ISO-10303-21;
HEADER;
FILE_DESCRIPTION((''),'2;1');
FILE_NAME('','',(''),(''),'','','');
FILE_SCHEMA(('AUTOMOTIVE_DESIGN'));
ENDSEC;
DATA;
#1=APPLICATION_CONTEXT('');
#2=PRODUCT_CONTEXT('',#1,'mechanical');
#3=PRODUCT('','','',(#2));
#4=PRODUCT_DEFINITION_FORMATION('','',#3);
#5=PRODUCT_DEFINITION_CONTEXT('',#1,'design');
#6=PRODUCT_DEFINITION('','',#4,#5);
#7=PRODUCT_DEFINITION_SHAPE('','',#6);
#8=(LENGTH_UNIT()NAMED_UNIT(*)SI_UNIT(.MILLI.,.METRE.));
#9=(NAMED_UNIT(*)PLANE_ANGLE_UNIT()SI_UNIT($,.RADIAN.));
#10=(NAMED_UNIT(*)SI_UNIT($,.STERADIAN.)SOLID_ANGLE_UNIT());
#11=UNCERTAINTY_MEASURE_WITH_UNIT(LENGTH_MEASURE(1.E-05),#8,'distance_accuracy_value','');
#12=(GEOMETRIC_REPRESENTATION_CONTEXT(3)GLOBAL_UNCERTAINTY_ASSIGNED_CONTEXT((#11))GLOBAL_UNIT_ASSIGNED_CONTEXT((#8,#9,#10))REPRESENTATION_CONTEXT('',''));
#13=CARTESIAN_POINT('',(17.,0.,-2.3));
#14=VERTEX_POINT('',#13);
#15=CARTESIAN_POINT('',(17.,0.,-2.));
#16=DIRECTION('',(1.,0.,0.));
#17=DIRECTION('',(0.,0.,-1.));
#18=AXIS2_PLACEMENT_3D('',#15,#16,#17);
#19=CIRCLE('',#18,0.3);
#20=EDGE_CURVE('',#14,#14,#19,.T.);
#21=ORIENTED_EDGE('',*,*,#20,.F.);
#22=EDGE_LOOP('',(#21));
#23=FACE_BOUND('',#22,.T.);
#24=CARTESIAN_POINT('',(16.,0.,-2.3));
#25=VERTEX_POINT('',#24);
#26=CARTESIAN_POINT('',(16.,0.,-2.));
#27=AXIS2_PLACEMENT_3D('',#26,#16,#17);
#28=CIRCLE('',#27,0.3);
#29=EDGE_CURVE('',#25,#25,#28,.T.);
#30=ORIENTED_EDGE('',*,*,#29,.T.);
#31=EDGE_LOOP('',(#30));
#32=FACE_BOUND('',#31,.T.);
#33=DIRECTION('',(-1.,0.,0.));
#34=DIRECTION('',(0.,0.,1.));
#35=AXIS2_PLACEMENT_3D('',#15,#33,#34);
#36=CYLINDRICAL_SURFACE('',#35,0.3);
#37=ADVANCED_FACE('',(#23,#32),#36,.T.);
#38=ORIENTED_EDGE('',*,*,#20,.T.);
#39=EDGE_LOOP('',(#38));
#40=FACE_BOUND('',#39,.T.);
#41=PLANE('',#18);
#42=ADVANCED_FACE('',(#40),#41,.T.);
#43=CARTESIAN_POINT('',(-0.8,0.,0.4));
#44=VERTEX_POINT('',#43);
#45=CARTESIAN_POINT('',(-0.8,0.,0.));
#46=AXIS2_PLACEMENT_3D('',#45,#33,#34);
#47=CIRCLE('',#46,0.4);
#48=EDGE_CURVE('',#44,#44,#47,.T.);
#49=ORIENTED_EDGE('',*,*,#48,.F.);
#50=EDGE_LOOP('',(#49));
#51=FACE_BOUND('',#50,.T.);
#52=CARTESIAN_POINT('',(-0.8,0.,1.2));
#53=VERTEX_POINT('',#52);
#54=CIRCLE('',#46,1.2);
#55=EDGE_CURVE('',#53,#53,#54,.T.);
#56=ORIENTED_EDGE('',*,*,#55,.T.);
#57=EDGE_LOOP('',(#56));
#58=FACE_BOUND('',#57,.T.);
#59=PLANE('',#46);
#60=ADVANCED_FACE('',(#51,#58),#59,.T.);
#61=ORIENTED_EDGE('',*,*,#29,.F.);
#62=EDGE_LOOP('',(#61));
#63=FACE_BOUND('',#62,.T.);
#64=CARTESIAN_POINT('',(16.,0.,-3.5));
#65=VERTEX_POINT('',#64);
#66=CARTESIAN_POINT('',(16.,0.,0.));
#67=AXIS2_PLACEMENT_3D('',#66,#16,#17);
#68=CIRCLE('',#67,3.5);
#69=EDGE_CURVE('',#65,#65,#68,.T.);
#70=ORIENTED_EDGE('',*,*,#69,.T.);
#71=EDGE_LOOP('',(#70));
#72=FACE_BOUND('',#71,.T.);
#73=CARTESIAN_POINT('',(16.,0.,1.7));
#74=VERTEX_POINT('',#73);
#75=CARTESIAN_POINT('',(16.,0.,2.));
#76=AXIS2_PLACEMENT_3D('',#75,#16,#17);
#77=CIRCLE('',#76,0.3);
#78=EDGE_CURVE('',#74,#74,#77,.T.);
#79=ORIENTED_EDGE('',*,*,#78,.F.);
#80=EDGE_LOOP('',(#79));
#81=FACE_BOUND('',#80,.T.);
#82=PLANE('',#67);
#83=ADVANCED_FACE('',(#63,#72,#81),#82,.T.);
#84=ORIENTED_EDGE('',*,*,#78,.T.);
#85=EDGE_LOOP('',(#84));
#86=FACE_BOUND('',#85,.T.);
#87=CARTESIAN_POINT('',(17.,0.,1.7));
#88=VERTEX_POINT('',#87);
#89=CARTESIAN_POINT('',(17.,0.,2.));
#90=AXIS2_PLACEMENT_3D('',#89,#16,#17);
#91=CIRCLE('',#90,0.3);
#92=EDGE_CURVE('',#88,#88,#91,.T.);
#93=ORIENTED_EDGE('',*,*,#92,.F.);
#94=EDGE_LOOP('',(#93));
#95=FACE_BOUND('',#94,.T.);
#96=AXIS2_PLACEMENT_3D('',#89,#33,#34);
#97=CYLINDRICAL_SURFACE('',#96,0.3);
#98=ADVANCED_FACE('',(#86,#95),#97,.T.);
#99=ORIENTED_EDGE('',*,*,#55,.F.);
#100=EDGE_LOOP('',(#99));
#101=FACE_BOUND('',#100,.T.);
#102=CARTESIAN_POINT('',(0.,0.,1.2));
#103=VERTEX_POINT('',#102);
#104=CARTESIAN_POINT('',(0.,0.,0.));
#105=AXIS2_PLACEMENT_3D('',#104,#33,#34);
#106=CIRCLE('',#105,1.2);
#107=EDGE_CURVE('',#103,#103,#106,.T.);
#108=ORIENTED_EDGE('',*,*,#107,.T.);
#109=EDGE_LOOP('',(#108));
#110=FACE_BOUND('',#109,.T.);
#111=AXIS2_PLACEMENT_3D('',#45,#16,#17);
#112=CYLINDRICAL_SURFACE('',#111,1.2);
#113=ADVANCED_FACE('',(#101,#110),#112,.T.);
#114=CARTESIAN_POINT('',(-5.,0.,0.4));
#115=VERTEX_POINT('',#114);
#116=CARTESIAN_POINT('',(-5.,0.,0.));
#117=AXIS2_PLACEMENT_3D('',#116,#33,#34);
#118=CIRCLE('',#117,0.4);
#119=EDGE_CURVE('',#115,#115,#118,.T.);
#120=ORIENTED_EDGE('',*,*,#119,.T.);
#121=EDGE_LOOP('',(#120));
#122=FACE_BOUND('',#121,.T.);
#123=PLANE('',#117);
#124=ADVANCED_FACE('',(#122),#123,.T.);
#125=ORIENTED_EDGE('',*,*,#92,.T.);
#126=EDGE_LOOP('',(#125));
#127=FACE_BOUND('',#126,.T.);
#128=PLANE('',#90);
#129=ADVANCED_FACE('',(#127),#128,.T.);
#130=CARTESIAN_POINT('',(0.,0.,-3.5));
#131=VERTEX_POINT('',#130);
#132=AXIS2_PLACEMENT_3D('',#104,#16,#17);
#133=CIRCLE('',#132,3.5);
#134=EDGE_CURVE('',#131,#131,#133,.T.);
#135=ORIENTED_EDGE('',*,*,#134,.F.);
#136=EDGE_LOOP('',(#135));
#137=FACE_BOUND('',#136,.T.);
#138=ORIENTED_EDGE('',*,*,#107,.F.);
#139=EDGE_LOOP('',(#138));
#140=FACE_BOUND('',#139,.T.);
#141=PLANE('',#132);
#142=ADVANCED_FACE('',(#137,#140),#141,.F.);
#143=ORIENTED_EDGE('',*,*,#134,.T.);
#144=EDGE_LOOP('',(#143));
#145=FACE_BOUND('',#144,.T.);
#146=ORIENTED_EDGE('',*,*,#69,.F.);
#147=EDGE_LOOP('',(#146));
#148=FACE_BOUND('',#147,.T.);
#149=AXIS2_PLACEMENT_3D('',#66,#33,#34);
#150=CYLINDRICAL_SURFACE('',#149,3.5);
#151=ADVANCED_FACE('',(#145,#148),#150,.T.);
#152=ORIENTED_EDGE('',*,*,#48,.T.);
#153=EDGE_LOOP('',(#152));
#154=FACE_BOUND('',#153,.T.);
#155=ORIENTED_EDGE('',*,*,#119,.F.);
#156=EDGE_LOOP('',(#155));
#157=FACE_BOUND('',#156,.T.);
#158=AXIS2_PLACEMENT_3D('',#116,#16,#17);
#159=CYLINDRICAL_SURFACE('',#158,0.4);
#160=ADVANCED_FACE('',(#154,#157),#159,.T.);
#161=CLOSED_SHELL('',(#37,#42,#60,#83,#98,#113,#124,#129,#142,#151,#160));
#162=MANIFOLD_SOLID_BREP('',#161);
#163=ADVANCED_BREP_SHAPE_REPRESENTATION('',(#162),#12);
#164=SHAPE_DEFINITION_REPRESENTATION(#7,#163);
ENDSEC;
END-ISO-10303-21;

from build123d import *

# Parameters (mm, degrees)
SKETCH1_R           = 3.5
BOSS_EXTRUDE1_DEPTH = 16
SKETCH2_R           = 1.2
BOSS_EXTRUDE2_DEPTH = 0.8
SKETCH3_R           = 0.4
BOSS_EXTRUDE3_DEPTH = 4.2
SKETCH4_R           = 0.3
BOSS_EXTRUDE4_DEPTH = 1


with BuildPart() as part:
    # Sketch1 → Boss-Extrude1 (new body)
    with BuildSketch(Plane(origin=(0, 0, 0), x_dir=(0, 0, -1), z_dir=(1, 0, 0))):
        Circle(SKETCH1_R)
    extrude(amount=BOSS_EXTRUDE1_DEPTH)

    # Sketch2 → Boss-Extrude2 (add)
    with BuildSketch(Plane.ZY):
        Circle(SKETCH2_R)
    extrude(amount=BOSS_EXTRUDE2_DEPTH)

    # Sketch3 → Boss-Extrude3 (add)
    with BuildSketch(Plane.ZY.offset(0.8)):
        Circle(SKETCH3_R)
    extrude(amount=BOSS_EXTRUDE3_DEPTH)

    # Sketch4 → Boss-Extrude4 (add)
    with BuildSketch(Plane(origin=(16, 0, 0), x_dir=(0, 0, -1), z_dir=(1, 0, 0))):
        with Locations((-2, 0)):
            Circle(SKETCH4_R)
        with Locations((2, 0)):
            Circle(SKETCH4_R)
    extrude(amount=BOSS_EXTRUDE4_DEPTH)


solid = part.part
